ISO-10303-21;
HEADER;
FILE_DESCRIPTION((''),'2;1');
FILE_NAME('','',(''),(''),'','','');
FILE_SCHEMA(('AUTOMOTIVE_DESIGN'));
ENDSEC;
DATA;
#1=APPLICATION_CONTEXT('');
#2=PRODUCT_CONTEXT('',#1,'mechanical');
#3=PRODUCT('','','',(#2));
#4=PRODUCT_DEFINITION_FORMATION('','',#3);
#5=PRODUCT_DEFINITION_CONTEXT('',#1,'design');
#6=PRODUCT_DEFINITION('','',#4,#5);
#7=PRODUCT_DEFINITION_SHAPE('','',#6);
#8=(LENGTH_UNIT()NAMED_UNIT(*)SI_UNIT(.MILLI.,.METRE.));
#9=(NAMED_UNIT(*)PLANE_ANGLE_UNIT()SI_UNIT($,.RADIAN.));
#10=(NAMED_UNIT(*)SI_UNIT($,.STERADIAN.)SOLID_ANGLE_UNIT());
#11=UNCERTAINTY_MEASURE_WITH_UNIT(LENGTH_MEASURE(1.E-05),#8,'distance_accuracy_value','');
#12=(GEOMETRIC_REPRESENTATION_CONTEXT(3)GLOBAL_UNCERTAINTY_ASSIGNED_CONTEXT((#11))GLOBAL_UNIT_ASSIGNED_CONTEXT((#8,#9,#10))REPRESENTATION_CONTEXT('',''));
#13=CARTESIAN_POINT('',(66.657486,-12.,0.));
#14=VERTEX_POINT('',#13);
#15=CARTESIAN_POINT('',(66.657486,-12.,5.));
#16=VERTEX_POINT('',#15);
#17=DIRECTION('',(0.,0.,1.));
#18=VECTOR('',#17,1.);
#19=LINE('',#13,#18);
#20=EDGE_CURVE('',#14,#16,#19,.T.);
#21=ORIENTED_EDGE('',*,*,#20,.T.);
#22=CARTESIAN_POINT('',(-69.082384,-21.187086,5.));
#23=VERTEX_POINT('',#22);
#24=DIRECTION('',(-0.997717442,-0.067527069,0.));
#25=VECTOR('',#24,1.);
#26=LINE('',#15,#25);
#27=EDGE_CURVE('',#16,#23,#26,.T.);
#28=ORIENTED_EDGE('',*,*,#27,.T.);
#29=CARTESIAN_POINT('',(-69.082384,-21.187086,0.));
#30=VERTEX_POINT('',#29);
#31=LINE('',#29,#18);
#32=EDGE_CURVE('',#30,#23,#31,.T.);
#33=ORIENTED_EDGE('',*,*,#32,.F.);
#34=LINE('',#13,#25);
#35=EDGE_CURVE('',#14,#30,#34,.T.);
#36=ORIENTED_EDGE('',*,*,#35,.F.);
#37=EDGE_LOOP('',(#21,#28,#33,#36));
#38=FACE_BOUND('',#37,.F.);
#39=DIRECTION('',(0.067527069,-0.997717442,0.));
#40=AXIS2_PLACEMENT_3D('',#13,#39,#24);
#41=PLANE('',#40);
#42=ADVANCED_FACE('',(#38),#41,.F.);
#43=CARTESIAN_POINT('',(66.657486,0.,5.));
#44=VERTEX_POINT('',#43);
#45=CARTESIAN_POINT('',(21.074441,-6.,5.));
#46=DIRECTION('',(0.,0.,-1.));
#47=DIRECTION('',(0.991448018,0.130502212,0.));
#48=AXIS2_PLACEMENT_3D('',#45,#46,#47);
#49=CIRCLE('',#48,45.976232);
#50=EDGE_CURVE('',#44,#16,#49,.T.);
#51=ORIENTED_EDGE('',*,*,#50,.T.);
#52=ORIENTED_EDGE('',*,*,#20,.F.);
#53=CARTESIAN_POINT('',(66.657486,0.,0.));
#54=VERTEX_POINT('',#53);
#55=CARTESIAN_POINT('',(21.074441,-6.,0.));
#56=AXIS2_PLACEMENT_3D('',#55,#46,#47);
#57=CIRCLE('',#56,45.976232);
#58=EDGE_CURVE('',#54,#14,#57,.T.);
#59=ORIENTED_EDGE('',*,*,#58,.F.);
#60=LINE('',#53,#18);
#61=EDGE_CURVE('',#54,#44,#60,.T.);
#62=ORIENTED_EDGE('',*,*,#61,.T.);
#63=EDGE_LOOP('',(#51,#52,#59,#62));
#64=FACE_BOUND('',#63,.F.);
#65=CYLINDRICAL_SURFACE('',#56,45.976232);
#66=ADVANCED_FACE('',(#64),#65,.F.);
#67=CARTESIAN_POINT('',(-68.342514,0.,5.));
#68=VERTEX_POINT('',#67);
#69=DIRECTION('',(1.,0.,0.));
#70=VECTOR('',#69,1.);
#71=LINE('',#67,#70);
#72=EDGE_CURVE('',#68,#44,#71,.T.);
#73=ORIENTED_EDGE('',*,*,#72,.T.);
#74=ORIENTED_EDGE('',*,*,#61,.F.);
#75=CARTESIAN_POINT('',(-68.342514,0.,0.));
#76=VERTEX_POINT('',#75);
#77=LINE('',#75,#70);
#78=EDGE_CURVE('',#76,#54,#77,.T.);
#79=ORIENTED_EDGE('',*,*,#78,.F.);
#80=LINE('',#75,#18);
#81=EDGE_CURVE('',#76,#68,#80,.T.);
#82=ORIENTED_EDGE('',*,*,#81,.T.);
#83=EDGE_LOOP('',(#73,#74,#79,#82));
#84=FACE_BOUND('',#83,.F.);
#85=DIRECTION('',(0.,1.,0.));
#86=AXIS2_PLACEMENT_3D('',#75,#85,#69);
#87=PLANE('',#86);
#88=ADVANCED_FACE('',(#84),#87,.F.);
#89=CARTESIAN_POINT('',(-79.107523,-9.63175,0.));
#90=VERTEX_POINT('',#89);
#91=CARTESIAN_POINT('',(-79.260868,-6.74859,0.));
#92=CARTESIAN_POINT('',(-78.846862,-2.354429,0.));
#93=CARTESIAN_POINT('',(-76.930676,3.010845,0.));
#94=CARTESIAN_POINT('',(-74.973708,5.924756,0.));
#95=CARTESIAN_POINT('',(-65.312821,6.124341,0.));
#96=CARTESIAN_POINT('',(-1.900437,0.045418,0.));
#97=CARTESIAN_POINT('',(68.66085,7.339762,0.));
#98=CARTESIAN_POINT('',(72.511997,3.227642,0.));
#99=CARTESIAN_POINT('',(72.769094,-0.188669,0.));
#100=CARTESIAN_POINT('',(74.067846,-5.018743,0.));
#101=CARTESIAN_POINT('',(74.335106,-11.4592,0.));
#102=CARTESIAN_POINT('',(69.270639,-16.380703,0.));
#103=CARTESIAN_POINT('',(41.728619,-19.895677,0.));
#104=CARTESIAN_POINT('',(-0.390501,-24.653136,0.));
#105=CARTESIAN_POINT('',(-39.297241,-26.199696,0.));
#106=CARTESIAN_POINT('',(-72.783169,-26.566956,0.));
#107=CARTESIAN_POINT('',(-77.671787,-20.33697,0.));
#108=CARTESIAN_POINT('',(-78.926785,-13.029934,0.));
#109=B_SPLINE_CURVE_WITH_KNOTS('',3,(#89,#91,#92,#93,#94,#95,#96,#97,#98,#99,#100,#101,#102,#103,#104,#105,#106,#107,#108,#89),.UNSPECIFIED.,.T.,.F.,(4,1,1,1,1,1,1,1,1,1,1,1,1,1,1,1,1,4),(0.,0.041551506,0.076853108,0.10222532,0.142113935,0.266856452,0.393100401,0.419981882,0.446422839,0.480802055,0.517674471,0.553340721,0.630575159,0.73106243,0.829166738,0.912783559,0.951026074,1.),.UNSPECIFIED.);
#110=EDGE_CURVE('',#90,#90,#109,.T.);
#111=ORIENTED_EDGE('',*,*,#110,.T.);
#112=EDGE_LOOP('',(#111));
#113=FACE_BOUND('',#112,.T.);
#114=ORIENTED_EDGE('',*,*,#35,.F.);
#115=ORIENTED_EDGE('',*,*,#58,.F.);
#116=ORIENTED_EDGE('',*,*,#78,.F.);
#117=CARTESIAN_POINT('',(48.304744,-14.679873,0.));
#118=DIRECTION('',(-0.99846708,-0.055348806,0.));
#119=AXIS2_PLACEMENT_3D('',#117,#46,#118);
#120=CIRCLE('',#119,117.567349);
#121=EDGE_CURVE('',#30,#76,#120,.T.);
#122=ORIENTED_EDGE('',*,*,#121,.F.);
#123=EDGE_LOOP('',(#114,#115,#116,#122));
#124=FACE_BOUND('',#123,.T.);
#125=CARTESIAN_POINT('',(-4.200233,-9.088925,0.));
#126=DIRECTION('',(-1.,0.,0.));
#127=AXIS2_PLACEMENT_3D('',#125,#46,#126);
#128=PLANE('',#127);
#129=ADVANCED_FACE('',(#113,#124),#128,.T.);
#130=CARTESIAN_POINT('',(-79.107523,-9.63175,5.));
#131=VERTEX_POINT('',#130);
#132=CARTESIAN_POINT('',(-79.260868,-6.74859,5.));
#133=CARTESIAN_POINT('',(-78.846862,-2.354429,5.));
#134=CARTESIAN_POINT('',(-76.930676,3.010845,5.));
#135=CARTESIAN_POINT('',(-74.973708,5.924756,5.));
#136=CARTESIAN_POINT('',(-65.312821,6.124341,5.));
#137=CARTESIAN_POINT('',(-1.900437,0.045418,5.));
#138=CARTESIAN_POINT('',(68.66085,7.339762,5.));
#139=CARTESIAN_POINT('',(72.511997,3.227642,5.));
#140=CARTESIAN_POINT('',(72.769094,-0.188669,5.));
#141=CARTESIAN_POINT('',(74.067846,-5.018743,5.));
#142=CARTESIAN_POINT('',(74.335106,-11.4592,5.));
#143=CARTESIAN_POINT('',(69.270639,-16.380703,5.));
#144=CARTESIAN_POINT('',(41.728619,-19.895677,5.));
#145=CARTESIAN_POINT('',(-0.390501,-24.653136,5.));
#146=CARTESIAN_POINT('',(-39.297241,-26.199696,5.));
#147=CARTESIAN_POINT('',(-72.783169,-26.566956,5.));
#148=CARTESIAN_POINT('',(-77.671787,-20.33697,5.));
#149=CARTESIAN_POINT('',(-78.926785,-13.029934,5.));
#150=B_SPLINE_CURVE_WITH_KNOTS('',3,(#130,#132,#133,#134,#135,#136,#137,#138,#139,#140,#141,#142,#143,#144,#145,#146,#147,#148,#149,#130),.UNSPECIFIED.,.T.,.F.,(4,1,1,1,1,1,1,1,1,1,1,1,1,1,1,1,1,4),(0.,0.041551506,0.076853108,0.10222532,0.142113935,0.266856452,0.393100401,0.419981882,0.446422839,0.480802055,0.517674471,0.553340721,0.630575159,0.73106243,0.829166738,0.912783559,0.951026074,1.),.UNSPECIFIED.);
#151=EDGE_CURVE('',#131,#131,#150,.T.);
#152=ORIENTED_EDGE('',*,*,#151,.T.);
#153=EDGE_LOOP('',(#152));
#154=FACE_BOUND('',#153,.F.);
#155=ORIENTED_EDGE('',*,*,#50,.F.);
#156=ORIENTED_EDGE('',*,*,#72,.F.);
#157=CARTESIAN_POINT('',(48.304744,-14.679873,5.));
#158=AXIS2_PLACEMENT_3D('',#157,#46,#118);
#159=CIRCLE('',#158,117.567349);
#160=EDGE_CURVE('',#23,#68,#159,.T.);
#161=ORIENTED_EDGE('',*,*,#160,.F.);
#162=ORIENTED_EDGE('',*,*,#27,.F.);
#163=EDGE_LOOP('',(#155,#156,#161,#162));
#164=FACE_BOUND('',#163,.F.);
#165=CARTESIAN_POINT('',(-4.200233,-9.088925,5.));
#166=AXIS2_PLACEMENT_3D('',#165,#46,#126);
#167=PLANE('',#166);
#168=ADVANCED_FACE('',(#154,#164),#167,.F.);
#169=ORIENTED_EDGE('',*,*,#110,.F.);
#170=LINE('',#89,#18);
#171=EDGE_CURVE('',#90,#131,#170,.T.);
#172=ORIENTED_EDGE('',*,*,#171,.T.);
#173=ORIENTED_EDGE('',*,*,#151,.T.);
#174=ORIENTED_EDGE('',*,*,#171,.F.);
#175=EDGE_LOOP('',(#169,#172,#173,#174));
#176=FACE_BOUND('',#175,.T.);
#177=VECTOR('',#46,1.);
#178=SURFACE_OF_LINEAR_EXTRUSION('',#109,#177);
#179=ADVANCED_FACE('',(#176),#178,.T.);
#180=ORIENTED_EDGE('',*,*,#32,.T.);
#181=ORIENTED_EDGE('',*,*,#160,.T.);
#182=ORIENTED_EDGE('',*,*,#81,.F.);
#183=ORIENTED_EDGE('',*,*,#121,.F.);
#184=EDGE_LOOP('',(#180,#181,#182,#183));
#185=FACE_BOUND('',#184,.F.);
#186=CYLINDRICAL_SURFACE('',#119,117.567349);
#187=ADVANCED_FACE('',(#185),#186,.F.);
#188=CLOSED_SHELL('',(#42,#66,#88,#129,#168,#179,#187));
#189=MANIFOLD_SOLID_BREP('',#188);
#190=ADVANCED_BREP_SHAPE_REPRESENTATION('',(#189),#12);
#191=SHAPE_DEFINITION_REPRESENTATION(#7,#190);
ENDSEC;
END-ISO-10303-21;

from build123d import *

# Parameters (mm, degrees)
F1_DEPTH = 5


with BuildPart() as f1:
    # F0 (on Top) → F1 (new body)
    with BuildSketch(Plane.XY):
        with BuildLine():
            add(Edge.make_bspline(
                [(-79.1075229645, -9.6317501739), (-79.260868189, -6.7485904226), (-78.8468620838, -2.3544294122), (-76.9306761237, 3.010845314), (-74.9737079713, 5.9247559653), (-65.3128214546, 6.1243412532), (-1.900436505, 0.0454184088), (68.6608504894, 7.3397615239), (72.5119965518, 3.2276416047), (72.7690937776, -0.1886687478), (74.0678457478, -5.0187425005), (74.3351063702, -11.4591995289), (69.2706394369, -16.3807031575), (41.7286188843, -19.8956770436), (-0.3905012568, -24.6531356116), (-39.2972411938, -26.1996962238), (-72.7831690753, -26.5669560748), (-77.6717867215, -20.3369696697), (-78.9267854093, -13.0299338874), (-79.1075229645, -9.6317501739)],
                knots=[0, 0, 0, 0, 0.0415515062, 0.0768531077, 0.1022253199, 0.1421139351, 0.2668564519, 0.3931004015, 0.4199818821, 0.4464228386, 0.4808020551, 0.5176744707, 0.5533407206, 0.6305751585, 0.7310624296, 0.8291667383, 0.912783559, 0.9510260743, 1, 1, 1, 1], degree=3))
        make_face()
        with BuildLine():
            ThreePointArc((-69.0823836662, -21.1870855328), (-69.1909861622, -10.5768318805), (-68.3425143361, 0))
            Line((-68.3425143361, 0), (66.6574856639, 0))
            ThreePointArc((66.6574856639, 0), (67.0506735669, -6), (66.6574856639, -12))
            Line((66.6574856639, -12), (-69.0823836662, -21.1870855328))
        make_face(mode=Mode.SUBTRACT)
    extrude(amount=F1_DEPTH)


solid = f1.part
